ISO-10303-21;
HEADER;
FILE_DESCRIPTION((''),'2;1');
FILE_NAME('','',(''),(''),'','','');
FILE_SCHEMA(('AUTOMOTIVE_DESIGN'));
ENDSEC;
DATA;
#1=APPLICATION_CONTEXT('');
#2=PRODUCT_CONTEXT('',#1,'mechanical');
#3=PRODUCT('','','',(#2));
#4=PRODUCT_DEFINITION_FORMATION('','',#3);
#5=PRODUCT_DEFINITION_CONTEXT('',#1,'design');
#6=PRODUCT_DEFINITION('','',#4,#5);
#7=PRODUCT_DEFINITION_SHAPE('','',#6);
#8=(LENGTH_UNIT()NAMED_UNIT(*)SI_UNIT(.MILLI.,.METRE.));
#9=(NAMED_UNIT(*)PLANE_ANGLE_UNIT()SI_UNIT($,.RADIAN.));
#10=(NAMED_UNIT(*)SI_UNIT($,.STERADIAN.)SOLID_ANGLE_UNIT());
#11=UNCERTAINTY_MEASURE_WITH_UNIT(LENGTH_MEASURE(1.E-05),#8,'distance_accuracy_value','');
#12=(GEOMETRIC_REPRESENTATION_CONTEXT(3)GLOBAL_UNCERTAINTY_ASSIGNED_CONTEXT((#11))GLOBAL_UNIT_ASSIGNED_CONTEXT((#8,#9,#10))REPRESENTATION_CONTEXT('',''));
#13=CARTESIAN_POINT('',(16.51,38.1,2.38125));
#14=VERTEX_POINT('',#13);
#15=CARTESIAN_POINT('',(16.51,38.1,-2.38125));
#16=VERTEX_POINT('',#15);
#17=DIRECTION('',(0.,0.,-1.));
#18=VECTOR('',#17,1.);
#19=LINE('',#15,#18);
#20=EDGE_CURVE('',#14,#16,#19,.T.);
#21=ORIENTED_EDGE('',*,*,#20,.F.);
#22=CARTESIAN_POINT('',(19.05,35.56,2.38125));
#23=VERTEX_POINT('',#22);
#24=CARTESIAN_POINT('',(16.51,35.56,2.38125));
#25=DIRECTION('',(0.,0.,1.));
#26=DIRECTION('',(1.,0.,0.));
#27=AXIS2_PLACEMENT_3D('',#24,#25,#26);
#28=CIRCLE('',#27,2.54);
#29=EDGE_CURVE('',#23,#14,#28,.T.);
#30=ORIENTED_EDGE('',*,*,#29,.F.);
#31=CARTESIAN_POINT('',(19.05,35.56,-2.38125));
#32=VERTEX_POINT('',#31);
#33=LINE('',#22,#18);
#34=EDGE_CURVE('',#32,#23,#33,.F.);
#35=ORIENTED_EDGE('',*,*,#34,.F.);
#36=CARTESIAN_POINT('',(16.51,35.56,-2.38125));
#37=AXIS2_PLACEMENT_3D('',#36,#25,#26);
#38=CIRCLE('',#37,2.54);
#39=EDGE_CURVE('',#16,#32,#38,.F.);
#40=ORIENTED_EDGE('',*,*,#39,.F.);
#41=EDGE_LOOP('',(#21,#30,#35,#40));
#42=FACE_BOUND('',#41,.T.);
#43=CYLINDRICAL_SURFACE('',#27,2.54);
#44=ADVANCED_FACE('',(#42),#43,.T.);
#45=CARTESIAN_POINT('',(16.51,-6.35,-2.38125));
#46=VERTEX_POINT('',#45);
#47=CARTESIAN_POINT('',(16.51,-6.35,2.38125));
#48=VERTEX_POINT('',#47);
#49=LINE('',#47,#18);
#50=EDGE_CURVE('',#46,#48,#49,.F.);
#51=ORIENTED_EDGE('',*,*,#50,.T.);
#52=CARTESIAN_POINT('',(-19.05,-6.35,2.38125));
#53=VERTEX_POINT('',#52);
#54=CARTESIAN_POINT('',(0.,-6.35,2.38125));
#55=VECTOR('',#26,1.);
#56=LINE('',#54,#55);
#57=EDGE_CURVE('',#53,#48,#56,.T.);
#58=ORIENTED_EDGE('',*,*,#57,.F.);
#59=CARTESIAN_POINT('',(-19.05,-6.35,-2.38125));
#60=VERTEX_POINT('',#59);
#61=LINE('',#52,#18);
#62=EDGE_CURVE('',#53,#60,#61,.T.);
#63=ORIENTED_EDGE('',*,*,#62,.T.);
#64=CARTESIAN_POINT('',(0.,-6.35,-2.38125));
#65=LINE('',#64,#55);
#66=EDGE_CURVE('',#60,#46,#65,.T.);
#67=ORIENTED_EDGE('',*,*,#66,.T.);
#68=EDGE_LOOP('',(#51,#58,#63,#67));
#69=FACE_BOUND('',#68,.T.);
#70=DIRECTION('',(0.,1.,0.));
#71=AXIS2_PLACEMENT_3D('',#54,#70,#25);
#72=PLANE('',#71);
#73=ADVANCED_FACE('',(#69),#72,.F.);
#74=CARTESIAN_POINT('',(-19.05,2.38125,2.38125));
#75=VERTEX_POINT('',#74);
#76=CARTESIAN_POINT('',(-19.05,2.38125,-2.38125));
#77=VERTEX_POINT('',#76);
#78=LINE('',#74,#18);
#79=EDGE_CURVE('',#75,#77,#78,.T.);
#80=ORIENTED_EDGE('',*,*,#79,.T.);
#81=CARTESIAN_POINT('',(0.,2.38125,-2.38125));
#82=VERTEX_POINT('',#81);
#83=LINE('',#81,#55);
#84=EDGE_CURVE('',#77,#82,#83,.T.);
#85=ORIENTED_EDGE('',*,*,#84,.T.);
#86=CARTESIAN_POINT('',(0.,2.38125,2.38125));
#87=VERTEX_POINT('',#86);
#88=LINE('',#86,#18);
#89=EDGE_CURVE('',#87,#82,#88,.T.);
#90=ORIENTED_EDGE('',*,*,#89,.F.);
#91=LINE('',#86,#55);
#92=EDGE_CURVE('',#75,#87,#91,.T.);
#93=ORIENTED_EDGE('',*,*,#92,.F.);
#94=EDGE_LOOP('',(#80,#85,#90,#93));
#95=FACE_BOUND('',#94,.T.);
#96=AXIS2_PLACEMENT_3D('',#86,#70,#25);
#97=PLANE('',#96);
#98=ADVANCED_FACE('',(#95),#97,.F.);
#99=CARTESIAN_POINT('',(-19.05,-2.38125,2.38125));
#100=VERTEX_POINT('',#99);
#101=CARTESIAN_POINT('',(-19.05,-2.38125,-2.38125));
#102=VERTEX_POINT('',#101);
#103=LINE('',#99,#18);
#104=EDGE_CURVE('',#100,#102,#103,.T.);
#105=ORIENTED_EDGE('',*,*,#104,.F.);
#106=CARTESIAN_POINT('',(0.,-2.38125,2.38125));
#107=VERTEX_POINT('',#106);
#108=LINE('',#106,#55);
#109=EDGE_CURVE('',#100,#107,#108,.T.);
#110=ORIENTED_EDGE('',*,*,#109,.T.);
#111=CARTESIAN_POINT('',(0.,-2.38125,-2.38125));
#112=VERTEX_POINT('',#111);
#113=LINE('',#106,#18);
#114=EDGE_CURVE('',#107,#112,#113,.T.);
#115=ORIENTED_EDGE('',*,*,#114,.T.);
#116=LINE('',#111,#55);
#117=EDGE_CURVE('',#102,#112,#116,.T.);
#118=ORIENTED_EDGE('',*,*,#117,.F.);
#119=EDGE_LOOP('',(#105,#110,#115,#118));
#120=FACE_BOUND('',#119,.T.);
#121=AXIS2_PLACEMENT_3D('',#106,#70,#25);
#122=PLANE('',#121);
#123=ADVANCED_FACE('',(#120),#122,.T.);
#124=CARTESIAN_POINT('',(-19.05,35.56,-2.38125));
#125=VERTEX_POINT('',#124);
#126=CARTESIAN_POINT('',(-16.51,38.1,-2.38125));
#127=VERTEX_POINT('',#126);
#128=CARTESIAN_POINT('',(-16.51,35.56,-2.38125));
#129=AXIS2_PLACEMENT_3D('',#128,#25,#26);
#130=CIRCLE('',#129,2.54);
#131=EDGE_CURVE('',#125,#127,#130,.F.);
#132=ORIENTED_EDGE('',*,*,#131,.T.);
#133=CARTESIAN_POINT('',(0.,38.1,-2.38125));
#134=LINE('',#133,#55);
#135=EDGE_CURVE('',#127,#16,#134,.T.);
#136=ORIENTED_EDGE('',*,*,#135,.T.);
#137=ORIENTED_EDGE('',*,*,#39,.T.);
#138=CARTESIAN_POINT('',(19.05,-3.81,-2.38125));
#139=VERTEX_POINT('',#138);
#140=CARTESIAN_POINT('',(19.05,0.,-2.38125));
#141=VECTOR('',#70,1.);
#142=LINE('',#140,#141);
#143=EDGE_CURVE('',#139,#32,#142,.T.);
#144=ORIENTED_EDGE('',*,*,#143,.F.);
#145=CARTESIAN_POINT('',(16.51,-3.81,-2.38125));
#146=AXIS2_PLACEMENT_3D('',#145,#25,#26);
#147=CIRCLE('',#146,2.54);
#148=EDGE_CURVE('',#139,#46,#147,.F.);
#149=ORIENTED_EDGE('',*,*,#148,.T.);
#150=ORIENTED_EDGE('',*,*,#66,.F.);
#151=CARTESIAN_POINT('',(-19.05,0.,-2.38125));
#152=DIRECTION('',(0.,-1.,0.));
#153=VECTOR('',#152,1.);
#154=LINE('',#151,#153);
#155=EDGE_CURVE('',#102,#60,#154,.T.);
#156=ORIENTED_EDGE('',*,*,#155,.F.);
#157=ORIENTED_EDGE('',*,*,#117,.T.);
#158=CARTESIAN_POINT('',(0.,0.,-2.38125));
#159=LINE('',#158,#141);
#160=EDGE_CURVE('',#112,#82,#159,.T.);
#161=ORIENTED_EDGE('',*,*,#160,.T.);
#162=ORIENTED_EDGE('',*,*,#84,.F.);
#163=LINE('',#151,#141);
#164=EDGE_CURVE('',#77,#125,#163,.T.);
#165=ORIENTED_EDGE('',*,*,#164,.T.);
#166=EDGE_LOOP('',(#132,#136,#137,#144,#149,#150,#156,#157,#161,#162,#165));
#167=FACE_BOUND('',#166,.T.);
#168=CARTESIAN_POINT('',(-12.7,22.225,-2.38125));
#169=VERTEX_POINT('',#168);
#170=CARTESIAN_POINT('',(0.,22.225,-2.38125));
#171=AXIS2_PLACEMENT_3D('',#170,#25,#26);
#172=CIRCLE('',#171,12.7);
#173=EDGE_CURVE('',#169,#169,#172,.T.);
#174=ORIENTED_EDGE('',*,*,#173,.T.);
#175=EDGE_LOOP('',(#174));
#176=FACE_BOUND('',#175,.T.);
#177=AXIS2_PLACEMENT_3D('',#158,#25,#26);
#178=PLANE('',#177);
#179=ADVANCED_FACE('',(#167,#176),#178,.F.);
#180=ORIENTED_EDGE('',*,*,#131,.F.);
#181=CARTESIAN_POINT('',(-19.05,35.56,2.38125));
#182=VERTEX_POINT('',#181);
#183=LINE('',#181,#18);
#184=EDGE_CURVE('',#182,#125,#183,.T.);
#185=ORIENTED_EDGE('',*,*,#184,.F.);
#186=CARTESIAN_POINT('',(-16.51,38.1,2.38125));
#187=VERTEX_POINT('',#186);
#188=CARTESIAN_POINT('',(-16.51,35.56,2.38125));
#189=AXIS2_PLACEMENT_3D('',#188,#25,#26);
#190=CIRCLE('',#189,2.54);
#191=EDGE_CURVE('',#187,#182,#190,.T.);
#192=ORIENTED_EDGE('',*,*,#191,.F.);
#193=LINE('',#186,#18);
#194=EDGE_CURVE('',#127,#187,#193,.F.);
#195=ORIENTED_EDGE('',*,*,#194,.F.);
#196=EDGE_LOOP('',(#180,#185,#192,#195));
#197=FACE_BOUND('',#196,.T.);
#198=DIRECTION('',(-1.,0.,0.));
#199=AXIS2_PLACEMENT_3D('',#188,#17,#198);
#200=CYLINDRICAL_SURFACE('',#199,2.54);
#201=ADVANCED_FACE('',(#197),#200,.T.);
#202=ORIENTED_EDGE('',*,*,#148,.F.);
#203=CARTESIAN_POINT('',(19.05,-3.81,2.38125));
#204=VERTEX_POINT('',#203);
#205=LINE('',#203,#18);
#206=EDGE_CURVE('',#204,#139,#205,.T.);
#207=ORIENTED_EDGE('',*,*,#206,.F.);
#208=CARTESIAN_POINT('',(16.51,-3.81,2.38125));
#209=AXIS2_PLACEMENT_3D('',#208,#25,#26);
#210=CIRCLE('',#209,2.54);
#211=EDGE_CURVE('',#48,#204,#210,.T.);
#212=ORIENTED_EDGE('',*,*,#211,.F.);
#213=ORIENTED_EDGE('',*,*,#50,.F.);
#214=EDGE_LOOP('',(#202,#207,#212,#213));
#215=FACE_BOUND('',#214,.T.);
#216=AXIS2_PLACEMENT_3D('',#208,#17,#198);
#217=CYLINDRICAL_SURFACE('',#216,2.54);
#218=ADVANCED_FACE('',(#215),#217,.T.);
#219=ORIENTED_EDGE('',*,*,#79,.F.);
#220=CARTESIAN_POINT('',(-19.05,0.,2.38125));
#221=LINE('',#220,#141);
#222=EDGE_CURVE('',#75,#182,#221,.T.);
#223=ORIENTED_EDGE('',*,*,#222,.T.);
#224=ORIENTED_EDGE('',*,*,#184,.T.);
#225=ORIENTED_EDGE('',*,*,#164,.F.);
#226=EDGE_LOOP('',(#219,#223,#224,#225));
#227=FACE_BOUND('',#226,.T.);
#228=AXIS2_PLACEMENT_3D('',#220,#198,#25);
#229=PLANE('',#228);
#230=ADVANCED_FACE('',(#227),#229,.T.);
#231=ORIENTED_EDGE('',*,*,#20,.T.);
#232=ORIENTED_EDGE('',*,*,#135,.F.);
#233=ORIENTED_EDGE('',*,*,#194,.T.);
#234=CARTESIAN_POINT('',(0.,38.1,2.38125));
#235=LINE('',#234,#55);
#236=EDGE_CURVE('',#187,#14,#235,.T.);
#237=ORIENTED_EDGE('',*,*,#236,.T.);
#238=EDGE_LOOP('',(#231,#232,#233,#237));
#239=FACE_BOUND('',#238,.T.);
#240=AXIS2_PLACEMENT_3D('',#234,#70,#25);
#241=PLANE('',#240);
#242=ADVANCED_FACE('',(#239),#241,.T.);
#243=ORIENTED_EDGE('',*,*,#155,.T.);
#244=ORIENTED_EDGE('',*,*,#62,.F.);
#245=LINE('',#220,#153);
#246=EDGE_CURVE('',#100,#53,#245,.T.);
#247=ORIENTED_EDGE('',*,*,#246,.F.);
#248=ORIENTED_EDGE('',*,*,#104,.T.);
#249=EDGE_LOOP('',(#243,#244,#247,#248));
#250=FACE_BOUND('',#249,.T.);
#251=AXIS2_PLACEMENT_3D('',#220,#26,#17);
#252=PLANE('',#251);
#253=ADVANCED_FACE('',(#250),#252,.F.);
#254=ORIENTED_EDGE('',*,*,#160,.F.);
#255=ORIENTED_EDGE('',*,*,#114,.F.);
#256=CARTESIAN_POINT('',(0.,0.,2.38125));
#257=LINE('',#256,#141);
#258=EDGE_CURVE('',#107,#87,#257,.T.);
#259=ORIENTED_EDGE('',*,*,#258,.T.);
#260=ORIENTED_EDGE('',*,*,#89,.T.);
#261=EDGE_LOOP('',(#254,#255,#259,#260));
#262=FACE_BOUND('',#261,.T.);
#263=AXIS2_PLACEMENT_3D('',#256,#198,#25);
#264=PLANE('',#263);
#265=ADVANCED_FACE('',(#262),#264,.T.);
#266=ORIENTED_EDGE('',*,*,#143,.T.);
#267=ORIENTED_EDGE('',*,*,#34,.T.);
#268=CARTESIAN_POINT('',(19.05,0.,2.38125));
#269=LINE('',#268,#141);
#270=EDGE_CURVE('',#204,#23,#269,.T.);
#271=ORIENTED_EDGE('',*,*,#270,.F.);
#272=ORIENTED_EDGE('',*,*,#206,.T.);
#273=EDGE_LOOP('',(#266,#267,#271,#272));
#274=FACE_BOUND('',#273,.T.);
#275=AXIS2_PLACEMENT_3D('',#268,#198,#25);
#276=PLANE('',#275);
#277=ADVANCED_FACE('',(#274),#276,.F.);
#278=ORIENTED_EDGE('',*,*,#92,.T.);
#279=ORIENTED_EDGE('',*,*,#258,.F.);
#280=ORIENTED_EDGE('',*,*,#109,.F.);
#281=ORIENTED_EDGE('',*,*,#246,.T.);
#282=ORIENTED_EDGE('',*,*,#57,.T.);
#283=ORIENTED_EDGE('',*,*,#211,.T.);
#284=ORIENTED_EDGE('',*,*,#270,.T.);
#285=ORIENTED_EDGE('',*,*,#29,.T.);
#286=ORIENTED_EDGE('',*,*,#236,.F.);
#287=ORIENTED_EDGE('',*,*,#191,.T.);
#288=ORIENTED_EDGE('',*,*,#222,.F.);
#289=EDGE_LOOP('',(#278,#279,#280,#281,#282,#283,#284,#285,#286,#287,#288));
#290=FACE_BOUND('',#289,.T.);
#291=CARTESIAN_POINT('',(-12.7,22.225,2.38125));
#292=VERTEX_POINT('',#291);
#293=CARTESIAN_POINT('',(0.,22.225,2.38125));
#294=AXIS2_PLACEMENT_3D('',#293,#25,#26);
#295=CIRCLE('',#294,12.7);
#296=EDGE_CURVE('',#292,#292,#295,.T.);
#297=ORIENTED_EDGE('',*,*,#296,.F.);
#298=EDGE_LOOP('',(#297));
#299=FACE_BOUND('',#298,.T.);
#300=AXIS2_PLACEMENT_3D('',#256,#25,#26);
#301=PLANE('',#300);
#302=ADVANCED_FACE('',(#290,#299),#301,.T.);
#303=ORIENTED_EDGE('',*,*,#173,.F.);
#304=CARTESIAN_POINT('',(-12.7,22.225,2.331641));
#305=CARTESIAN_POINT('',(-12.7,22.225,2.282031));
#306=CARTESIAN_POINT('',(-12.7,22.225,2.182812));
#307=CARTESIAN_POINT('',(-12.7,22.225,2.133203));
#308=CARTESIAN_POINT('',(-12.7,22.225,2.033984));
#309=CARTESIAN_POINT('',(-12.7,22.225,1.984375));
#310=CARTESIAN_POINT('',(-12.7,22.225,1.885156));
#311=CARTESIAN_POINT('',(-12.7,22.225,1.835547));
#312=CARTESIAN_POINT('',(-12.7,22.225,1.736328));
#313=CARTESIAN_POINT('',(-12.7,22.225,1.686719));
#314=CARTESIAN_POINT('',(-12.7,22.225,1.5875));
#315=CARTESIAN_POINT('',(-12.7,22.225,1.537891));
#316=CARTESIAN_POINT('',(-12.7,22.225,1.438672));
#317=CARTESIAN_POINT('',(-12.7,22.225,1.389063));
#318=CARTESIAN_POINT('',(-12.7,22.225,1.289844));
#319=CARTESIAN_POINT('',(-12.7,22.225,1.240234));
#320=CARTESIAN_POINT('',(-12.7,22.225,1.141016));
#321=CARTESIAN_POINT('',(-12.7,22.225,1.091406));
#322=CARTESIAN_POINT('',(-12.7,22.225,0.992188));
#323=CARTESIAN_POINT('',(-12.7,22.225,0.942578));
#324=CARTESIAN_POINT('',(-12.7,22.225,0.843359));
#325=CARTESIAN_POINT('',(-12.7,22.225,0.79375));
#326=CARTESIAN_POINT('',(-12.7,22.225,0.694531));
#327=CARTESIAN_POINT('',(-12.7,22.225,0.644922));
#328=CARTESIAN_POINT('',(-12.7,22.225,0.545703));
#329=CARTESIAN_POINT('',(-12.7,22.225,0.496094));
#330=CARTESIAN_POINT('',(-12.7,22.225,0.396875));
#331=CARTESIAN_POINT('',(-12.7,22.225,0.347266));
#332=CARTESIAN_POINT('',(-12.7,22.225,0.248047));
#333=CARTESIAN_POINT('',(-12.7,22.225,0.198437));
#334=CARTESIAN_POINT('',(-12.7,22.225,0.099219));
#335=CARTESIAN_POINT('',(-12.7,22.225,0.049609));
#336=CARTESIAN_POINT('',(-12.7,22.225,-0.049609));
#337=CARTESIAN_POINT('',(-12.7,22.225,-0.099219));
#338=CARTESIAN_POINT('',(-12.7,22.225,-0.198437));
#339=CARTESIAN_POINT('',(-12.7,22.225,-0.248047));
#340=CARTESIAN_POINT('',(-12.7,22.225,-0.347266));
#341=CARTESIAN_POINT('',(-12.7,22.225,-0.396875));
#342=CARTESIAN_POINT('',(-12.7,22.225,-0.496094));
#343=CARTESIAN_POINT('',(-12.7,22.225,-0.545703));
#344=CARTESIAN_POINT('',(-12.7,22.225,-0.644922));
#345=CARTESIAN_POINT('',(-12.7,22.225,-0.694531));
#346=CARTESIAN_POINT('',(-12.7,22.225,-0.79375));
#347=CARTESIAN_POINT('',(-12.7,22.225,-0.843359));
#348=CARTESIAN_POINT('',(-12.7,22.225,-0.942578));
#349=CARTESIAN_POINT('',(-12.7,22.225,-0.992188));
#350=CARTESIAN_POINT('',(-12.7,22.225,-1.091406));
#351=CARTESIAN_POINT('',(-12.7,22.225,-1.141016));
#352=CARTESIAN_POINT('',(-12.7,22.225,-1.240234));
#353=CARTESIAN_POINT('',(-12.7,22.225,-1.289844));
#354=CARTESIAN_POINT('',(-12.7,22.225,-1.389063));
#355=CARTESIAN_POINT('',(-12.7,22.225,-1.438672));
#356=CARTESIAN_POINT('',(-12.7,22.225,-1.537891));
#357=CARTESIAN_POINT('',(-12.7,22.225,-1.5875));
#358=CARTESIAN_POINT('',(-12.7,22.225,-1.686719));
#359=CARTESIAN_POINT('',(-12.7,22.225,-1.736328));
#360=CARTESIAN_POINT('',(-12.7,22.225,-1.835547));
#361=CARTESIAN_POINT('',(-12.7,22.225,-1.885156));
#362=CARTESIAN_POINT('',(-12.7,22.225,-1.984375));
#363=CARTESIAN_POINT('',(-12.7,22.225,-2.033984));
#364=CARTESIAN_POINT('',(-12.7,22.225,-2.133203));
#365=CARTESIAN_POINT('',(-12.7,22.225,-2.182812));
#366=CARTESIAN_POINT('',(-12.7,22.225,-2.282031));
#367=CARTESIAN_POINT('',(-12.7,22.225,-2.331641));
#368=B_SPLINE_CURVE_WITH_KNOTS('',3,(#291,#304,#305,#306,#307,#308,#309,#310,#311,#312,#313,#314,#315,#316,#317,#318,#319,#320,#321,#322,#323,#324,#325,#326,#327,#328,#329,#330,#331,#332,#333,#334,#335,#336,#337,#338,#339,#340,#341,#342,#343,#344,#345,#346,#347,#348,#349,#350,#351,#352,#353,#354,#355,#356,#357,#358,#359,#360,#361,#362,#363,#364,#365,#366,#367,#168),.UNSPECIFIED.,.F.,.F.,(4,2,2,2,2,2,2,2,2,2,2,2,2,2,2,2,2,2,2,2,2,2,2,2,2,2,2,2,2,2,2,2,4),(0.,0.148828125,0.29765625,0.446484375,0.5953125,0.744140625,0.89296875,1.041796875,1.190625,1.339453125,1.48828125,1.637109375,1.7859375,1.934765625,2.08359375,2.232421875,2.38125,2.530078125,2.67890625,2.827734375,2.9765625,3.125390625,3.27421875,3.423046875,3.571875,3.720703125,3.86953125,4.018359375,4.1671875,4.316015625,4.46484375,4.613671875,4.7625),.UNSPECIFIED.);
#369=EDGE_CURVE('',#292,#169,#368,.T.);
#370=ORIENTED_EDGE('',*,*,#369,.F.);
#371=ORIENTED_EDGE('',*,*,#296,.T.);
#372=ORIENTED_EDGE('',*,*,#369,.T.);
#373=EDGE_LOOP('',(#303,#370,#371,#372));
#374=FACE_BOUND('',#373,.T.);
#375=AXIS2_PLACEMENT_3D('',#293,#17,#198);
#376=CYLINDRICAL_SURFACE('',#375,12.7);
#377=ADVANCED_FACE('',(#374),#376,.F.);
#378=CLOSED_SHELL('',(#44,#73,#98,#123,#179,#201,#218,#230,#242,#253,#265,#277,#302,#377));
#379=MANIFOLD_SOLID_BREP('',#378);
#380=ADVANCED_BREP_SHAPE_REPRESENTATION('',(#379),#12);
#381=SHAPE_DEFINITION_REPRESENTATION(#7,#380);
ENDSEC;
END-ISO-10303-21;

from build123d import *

# Parameters (mm, degrees)
SKETCH1_W           = 38.1
SKETCH1_H           = 31.75
SKETCH1_R           = 12.7
BOSS_EXTRUDE1_DEPTH = 2.38125
FILLET1_R           = 2.54


with BuildPart() as part:
    # Sketch1 → Boss-Extrude1 (new, symmetric)
    # profile 1 of 2: a face of its own
    with BuildSketch(Plane.XY):
        Polygon((-19.05, 6.35), (-19.05, 2.38125), (0, 2.38125), (0, -2.38125), (-19.05, -2.38125), (-19.05, -6.35), (19.05, -6.35), (19.05, 6.35), align=None)
    # profile 2 of 2: a face of its own
    with BuildSketch(Plane.XY):
        with Locations((0, 22.225)):
            Rectangle(SKETCH1_W, SKETCH1_H)
        with Locations(Location((0, 22.225, 0), (0, 0, 180))):
            Circle(SKETCH1_R, mode=Mode.SUBTRACT)
    extrude(amount=BOSS_EXTRUDE1_DEPTH, both=True)

    # Fillet1
    fillet1_edges = [part.edges().sort_by_distance(p)[0] for p in [
        (-19.05, 38.1, 0),
        (19.05, 38.1, 0),
        (19.05, -6.35, 0),
    ]]
    fillet(fillet1_edges, radius=FILLET1_R)


solid = part.part
